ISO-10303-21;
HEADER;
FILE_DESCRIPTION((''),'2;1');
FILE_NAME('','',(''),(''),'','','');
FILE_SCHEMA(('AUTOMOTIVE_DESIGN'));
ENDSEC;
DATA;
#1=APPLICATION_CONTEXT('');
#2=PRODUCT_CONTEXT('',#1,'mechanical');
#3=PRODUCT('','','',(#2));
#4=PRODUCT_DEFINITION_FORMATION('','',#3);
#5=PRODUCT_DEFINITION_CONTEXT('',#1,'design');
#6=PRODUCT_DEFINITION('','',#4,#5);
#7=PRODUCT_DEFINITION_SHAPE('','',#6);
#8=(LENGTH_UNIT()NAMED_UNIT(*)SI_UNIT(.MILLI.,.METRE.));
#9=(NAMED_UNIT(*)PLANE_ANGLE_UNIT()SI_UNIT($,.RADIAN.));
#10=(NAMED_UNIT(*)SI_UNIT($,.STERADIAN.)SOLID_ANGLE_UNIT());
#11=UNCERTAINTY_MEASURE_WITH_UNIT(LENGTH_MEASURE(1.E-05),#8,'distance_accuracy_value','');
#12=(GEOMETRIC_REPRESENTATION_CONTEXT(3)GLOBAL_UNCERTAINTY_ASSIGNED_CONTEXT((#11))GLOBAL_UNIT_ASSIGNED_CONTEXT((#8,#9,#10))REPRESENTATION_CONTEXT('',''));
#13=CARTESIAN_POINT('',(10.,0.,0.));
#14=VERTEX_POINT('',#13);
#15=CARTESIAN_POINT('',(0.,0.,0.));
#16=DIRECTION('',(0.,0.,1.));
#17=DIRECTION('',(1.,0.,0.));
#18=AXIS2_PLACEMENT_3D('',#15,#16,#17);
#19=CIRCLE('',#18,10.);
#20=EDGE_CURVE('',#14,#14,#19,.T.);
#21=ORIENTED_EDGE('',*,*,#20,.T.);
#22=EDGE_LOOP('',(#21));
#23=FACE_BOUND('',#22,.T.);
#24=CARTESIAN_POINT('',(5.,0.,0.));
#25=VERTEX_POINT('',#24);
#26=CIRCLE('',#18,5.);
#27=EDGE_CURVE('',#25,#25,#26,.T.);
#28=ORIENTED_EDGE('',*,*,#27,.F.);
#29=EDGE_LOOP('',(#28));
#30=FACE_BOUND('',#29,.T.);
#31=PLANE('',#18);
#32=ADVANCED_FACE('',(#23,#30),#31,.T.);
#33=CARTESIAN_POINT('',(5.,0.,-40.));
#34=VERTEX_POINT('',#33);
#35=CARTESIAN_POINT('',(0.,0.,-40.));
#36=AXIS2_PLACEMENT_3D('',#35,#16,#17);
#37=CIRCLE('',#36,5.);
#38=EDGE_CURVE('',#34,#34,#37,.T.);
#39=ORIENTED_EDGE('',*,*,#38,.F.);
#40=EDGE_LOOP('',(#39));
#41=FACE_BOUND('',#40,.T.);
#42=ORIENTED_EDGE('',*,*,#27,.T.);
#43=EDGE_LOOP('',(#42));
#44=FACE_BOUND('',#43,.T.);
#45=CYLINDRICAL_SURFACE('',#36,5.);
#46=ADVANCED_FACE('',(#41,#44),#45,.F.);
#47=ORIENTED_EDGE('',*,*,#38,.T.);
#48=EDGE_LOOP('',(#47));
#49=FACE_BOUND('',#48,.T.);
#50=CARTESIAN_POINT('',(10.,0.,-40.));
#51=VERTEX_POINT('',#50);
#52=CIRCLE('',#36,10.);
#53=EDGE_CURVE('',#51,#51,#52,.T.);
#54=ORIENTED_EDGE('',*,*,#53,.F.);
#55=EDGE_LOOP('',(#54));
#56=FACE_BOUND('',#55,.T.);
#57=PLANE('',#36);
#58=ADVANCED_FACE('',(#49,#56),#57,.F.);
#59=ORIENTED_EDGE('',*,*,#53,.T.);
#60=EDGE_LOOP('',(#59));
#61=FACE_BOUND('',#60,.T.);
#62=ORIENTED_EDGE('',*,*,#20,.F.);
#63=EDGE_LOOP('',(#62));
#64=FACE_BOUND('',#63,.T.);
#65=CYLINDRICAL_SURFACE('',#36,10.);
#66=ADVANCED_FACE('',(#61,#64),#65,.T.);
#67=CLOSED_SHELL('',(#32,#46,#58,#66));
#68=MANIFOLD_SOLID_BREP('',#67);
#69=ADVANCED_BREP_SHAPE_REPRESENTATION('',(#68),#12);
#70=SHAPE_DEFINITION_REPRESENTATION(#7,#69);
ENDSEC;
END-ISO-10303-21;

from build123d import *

# Parameters (mm, degrees)
SKETCH2_R           = 10
BOSS_EXTRUDE1_DEPTH = 40
SKETCH3_R           = 5
CUT_EXTRUDE1_DEPTH  = 41


with BuildPart() as part:
    # Sketch2 → Boss-Extrude1 (new body)
    with BuildSketch(Plane.XY):
        Circle(SKETCH2_R)
    extrude(amount=-BOSS_EXTRUDE1_DEPTH)

    # Sketch3 → Cut-Extrude1 (cut, through all)
    with BuildSketch(Plane.XY):
        Circle(SKETCH3_R)
    extrude(amount=-CUT_EXTRUDE1_DEPTH, mode=Mode.SUBTRACT)


solid = part.part
